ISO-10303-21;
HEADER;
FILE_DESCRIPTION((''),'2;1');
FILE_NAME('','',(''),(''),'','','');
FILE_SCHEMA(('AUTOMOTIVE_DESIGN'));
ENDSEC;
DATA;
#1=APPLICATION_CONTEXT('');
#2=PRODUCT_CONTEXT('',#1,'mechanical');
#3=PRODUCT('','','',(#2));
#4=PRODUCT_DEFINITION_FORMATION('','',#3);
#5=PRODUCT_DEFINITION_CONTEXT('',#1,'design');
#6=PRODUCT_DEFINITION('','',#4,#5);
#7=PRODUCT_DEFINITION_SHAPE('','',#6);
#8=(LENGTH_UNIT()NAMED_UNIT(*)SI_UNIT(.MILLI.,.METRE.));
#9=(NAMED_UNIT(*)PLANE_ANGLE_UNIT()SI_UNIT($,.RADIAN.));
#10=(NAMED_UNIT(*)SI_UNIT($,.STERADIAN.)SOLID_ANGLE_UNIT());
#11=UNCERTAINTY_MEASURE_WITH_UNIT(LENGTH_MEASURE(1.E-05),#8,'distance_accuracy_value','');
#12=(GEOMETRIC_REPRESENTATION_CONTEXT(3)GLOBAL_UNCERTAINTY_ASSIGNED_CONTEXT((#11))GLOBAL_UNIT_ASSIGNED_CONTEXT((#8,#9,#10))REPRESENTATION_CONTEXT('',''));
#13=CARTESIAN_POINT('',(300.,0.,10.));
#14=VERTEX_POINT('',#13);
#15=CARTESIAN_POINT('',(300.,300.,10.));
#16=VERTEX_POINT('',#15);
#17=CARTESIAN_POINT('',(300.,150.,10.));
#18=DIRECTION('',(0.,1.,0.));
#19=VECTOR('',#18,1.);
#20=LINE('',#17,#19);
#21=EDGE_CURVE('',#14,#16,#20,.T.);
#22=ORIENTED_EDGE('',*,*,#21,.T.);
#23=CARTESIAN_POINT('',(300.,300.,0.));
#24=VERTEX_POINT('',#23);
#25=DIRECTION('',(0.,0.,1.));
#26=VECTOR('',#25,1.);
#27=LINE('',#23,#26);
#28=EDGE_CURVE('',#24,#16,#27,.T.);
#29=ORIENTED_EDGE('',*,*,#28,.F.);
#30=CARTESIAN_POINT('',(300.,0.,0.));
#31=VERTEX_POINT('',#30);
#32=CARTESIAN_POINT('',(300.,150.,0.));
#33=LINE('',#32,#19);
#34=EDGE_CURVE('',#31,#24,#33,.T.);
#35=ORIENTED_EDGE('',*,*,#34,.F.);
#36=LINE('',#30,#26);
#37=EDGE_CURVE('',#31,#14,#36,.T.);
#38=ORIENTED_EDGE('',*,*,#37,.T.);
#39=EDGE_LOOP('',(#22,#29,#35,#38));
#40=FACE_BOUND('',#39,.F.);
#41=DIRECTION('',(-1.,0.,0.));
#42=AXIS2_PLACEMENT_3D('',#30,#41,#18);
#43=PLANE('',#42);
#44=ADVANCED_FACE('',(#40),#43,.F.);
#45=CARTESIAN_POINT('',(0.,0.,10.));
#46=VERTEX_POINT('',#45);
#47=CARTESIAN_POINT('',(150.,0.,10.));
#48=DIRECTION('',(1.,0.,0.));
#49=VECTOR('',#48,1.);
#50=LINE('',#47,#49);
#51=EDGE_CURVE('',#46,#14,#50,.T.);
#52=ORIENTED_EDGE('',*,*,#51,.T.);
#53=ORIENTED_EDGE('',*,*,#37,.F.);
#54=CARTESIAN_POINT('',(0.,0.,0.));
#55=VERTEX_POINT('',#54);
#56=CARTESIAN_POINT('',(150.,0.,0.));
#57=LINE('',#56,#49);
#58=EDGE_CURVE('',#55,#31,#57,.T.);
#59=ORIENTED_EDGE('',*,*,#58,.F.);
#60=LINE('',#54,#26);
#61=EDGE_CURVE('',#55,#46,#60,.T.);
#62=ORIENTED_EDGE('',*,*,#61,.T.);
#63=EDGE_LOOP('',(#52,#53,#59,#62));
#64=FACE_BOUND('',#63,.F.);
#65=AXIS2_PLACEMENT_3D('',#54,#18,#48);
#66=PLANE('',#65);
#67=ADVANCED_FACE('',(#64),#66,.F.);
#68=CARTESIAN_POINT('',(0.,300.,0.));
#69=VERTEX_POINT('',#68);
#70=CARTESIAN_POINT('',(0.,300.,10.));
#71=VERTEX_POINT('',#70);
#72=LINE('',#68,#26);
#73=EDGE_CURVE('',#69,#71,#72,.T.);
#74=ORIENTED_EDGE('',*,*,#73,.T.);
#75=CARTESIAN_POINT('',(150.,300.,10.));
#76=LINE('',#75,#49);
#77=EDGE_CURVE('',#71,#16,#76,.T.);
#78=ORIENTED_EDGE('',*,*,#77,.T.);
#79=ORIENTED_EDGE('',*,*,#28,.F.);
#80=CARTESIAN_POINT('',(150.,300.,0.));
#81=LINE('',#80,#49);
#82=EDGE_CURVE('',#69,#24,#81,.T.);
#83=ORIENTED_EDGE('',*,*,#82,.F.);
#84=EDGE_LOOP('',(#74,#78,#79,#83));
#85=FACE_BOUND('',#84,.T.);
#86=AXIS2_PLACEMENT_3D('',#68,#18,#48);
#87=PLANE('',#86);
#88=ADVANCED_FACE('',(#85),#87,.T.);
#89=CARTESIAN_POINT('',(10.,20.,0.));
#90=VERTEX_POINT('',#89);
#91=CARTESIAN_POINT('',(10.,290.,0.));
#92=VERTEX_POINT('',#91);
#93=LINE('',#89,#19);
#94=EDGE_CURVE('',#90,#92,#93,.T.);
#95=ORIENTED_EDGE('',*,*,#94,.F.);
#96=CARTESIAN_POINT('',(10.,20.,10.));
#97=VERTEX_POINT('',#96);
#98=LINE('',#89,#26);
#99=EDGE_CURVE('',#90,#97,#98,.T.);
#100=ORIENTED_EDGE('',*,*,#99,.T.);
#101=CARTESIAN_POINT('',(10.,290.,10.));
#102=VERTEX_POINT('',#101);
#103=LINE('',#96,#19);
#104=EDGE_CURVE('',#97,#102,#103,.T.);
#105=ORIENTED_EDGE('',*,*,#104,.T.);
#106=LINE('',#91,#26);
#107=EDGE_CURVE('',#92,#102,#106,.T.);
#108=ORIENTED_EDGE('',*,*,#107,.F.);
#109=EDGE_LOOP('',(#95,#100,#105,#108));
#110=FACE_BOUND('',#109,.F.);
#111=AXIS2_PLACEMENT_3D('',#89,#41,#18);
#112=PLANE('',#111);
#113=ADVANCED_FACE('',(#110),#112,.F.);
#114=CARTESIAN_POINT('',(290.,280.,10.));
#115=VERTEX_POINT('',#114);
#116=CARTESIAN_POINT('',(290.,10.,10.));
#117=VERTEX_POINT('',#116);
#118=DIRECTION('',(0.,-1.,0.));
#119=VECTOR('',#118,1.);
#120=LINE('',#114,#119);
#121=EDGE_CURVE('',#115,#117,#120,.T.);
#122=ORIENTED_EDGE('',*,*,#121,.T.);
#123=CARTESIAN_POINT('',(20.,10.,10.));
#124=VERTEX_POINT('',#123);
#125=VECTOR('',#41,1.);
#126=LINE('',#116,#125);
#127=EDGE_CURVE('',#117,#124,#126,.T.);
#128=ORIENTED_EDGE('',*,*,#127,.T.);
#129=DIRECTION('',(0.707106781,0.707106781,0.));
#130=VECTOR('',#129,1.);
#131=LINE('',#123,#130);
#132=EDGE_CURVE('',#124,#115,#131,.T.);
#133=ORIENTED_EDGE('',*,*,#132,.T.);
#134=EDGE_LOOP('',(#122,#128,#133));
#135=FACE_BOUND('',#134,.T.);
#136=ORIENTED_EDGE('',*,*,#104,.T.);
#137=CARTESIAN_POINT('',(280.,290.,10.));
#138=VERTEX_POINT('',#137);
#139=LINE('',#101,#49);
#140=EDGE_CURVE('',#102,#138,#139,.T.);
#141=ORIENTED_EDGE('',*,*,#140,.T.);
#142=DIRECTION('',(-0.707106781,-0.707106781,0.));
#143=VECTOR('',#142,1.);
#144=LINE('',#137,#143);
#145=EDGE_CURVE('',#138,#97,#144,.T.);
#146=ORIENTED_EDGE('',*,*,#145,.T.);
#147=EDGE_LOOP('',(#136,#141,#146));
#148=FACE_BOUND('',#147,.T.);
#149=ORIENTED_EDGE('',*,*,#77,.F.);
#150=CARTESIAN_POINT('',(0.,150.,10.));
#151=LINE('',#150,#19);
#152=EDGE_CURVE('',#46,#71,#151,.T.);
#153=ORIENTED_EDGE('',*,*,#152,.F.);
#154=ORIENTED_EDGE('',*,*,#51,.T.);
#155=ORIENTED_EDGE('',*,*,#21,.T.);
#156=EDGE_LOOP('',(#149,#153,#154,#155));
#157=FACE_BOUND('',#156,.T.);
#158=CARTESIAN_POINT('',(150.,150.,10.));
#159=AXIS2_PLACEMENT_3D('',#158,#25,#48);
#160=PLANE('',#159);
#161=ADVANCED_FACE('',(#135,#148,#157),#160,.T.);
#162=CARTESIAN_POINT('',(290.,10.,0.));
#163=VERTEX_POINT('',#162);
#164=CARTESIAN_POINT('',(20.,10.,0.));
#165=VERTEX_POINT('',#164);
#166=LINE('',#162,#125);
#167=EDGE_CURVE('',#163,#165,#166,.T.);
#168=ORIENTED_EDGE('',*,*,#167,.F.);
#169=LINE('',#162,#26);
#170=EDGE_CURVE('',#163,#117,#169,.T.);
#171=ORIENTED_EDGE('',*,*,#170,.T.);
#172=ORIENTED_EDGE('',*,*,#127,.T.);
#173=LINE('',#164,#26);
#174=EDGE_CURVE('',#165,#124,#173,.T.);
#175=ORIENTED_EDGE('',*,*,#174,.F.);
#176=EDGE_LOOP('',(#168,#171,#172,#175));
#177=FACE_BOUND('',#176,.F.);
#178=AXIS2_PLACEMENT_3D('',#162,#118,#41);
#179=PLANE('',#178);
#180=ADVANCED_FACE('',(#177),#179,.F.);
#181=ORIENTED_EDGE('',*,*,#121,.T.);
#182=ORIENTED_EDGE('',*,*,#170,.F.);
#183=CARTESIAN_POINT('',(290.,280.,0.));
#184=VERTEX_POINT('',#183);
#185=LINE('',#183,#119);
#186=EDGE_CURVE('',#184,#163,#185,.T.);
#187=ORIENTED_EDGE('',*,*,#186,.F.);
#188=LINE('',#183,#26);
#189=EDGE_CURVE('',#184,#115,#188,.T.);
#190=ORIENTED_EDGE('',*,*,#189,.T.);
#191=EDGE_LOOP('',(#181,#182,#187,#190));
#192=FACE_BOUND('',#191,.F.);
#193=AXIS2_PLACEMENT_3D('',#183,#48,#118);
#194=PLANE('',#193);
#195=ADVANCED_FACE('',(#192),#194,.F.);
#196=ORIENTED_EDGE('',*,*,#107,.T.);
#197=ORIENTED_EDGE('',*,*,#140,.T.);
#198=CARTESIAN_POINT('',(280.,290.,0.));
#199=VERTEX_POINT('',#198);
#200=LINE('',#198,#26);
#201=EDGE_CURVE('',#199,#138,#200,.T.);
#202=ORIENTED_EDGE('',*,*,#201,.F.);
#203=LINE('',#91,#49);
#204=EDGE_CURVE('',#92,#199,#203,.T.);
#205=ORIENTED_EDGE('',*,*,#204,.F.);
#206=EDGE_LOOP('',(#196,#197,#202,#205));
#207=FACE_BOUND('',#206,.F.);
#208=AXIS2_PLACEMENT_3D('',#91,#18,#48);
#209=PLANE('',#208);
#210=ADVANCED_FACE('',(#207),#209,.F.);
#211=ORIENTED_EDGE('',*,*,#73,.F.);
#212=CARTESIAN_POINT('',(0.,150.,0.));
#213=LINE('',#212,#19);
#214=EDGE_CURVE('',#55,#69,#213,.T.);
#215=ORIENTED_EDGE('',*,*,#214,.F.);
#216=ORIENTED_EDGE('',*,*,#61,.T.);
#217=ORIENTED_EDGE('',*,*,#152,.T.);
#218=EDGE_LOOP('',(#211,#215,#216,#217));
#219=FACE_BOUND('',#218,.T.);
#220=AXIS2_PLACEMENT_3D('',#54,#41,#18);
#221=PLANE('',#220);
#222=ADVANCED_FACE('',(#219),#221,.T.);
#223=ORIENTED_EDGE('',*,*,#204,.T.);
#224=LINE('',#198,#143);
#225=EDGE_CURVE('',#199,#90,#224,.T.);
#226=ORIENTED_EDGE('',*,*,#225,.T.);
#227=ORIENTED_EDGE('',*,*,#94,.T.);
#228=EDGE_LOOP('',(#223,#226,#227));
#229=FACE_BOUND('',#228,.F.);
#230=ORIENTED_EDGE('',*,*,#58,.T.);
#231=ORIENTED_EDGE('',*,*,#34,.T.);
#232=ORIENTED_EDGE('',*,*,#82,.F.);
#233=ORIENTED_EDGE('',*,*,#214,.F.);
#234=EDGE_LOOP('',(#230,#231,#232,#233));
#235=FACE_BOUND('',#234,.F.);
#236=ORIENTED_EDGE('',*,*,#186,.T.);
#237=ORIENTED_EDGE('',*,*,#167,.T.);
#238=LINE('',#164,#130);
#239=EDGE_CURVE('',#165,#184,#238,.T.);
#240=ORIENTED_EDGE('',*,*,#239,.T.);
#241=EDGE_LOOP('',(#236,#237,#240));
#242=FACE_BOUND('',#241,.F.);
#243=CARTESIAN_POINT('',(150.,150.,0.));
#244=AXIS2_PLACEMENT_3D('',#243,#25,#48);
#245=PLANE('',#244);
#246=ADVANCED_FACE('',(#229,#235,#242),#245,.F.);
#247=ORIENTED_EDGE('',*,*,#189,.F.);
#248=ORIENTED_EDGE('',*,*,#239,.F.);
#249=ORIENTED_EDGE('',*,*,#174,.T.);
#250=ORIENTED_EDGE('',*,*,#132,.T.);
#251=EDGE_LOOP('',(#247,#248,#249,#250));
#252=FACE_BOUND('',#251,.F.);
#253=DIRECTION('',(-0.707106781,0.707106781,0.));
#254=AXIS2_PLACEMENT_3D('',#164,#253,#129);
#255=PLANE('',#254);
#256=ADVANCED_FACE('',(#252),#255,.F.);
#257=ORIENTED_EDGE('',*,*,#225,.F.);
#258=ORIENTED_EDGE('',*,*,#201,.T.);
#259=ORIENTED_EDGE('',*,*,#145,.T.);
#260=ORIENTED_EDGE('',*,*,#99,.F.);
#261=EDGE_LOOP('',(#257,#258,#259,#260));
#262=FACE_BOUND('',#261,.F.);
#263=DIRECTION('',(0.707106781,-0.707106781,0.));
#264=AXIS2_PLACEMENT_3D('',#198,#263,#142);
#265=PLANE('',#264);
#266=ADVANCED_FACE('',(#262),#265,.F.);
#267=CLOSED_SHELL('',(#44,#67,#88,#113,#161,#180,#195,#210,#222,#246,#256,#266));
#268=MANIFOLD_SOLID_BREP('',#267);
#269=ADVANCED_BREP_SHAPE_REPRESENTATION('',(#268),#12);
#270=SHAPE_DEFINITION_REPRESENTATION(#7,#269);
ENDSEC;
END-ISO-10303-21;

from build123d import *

# Parameters (mm, degrees)
F0_W     = 300
F0_H     = 300
F1_DEPTH = 10


with BuildPart() as f1:
    # F0 (on Top) → F1 (new body)
    with BuildSketch(Plane.XY):
        with Locations((150, 150)):
            Rectangle(F0_W, F0_H)
        Polygon((20, 10), (290, 280), (290, 10), align=None, mode=Mode.SUBTRACT)
        Polygon((10, 290), (280, 290), (10, 20), align=None, mode=Mode.SUBTRACT)
    extrude(amount=F1_DEPTH)


solid = f1.part
